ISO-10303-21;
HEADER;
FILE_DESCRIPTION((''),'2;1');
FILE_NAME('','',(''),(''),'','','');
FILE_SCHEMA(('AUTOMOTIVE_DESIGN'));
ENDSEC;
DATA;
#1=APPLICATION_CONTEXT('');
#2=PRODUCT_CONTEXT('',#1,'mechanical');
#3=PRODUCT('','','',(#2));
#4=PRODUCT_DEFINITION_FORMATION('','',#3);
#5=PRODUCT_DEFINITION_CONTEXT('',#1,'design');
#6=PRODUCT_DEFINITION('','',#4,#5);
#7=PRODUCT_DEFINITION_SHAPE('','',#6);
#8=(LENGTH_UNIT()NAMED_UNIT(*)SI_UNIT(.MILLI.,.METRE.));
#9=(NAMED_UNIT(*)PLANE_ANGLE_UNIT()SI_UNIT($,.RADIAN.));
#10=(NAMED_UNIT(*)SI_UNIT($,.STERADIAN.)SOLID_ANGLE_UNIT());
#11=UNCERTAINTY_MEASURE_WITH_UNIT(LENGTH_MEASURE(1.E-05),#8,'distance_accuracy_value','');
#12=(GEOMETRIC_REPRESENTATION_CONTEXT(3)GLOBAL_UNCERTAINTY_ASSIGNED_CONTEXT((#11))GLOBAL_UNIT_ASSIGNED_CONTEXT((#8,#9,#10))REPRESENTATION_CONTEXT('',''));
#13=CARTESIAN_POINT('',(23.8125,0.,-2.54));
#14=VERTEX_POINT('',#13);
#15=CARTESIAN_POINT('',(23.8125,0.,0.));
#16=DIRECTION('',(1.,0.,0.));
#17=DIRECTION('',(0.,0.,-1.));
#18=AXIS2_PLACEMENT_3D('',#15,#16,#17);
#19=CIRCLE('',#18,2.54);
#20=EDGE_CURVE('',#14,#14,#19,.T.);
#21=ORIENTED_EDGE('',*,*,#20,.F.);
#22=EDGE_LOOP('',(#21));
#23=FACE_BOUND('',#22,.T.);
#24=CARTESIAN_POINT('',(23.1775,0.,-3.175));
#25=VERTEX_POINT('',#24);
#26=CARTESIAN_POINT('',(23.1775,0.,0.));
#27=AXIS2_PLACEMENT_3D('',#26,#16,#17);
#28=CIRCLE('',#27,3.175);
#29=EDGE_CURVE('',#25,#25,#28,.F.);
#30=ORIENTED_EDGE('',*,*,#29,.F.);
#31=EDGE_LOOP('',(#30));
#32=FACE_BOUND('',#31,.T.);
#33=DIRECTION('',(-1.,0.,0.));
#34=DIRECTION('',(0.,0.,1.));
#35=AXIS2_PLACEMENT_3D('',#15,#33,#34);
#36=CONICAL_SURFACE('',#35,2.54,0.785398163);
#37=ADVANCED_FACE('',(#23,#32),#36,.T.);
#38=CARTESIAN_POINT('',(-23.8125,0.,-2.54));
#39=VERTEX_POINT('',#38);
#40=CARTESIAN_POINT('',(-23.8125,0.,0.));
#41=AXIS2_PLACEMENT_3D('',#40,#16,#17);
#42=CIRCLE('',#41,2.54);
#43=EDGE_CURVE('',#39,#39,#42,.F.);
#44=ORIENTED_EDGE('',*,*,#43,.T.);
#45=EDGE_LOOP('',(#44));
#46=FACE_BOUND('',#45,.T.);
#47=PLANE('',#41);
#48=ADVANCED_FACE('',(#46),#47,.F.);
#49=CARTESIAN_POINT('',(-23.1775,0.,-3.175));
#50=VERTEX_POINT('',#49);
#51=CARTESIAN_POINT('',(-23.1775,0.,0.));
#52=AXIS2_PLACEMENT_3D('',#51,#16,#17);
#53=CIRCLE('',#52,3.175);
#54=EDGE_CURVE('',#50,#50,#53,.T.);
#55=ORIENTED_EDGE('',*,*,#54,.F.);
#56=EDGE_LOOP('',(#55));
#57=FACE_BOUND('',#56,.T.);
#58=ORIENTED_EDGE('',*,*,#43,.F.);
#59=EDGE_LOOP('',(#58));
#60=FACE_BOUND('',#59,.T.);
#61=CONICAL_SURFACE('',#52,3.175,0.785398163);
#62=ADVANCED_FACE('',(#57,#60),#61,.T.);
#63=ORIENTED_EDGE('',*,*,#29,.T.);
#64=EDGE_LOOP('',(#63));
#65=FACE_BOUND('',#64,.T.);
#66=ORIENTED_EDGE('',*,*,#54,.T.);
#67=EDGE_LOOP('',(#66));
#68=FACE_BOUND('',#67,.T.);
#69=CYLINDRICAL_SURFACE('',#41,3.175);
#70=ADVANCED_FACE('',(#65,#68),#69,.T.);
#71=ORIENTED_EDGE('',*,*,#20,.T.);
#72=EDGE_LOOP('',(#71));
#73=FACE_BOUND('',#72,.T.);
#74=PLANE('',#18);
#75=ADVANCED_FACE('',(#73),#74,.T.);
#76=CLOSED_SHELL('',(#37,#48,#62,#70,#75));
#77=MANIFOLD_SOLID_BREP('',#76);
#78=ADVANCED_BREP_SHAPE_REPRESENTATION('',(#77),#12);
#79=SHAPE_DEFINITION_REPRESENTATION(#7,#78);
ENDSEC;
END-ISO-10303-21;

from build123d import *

# Parameters (mm, degrees)
SKETCH2_R           = 3.175
EXTRUDE1_DEPTH      = 23.8125
EXTRUDE1_DEPTH_BACK = 23.8125
CHAMFER1_SIZE       = 0.635


with BuildPart() as part:
    # Sketch2 → Extrude1 (new body, two sides)
    with BuildSketch(Plane(origin=(0, 0, 0), x_dir=(0, 0, -1), z_dir=(1, 0, 0))) as extrude1_sk:
        Circle(SKETCH2_R)
    extrude(amount=EXTRUDE1_DEPTH)
    extrude(extrude1_sk.sketch, amount=-EXTRUDE1_DEPTH_BACK)

    # Chamfer1
    chamfer1_edges = [part.edges().sort_by_distance(p)[0] for p in [
        (-23.8125, 0, 3.175),
        (23.8125, 0, 3.175),
    ]]
    chamfer(chamfer1_edges, length=CHAMFER1_SIZE)


solid = part.part
